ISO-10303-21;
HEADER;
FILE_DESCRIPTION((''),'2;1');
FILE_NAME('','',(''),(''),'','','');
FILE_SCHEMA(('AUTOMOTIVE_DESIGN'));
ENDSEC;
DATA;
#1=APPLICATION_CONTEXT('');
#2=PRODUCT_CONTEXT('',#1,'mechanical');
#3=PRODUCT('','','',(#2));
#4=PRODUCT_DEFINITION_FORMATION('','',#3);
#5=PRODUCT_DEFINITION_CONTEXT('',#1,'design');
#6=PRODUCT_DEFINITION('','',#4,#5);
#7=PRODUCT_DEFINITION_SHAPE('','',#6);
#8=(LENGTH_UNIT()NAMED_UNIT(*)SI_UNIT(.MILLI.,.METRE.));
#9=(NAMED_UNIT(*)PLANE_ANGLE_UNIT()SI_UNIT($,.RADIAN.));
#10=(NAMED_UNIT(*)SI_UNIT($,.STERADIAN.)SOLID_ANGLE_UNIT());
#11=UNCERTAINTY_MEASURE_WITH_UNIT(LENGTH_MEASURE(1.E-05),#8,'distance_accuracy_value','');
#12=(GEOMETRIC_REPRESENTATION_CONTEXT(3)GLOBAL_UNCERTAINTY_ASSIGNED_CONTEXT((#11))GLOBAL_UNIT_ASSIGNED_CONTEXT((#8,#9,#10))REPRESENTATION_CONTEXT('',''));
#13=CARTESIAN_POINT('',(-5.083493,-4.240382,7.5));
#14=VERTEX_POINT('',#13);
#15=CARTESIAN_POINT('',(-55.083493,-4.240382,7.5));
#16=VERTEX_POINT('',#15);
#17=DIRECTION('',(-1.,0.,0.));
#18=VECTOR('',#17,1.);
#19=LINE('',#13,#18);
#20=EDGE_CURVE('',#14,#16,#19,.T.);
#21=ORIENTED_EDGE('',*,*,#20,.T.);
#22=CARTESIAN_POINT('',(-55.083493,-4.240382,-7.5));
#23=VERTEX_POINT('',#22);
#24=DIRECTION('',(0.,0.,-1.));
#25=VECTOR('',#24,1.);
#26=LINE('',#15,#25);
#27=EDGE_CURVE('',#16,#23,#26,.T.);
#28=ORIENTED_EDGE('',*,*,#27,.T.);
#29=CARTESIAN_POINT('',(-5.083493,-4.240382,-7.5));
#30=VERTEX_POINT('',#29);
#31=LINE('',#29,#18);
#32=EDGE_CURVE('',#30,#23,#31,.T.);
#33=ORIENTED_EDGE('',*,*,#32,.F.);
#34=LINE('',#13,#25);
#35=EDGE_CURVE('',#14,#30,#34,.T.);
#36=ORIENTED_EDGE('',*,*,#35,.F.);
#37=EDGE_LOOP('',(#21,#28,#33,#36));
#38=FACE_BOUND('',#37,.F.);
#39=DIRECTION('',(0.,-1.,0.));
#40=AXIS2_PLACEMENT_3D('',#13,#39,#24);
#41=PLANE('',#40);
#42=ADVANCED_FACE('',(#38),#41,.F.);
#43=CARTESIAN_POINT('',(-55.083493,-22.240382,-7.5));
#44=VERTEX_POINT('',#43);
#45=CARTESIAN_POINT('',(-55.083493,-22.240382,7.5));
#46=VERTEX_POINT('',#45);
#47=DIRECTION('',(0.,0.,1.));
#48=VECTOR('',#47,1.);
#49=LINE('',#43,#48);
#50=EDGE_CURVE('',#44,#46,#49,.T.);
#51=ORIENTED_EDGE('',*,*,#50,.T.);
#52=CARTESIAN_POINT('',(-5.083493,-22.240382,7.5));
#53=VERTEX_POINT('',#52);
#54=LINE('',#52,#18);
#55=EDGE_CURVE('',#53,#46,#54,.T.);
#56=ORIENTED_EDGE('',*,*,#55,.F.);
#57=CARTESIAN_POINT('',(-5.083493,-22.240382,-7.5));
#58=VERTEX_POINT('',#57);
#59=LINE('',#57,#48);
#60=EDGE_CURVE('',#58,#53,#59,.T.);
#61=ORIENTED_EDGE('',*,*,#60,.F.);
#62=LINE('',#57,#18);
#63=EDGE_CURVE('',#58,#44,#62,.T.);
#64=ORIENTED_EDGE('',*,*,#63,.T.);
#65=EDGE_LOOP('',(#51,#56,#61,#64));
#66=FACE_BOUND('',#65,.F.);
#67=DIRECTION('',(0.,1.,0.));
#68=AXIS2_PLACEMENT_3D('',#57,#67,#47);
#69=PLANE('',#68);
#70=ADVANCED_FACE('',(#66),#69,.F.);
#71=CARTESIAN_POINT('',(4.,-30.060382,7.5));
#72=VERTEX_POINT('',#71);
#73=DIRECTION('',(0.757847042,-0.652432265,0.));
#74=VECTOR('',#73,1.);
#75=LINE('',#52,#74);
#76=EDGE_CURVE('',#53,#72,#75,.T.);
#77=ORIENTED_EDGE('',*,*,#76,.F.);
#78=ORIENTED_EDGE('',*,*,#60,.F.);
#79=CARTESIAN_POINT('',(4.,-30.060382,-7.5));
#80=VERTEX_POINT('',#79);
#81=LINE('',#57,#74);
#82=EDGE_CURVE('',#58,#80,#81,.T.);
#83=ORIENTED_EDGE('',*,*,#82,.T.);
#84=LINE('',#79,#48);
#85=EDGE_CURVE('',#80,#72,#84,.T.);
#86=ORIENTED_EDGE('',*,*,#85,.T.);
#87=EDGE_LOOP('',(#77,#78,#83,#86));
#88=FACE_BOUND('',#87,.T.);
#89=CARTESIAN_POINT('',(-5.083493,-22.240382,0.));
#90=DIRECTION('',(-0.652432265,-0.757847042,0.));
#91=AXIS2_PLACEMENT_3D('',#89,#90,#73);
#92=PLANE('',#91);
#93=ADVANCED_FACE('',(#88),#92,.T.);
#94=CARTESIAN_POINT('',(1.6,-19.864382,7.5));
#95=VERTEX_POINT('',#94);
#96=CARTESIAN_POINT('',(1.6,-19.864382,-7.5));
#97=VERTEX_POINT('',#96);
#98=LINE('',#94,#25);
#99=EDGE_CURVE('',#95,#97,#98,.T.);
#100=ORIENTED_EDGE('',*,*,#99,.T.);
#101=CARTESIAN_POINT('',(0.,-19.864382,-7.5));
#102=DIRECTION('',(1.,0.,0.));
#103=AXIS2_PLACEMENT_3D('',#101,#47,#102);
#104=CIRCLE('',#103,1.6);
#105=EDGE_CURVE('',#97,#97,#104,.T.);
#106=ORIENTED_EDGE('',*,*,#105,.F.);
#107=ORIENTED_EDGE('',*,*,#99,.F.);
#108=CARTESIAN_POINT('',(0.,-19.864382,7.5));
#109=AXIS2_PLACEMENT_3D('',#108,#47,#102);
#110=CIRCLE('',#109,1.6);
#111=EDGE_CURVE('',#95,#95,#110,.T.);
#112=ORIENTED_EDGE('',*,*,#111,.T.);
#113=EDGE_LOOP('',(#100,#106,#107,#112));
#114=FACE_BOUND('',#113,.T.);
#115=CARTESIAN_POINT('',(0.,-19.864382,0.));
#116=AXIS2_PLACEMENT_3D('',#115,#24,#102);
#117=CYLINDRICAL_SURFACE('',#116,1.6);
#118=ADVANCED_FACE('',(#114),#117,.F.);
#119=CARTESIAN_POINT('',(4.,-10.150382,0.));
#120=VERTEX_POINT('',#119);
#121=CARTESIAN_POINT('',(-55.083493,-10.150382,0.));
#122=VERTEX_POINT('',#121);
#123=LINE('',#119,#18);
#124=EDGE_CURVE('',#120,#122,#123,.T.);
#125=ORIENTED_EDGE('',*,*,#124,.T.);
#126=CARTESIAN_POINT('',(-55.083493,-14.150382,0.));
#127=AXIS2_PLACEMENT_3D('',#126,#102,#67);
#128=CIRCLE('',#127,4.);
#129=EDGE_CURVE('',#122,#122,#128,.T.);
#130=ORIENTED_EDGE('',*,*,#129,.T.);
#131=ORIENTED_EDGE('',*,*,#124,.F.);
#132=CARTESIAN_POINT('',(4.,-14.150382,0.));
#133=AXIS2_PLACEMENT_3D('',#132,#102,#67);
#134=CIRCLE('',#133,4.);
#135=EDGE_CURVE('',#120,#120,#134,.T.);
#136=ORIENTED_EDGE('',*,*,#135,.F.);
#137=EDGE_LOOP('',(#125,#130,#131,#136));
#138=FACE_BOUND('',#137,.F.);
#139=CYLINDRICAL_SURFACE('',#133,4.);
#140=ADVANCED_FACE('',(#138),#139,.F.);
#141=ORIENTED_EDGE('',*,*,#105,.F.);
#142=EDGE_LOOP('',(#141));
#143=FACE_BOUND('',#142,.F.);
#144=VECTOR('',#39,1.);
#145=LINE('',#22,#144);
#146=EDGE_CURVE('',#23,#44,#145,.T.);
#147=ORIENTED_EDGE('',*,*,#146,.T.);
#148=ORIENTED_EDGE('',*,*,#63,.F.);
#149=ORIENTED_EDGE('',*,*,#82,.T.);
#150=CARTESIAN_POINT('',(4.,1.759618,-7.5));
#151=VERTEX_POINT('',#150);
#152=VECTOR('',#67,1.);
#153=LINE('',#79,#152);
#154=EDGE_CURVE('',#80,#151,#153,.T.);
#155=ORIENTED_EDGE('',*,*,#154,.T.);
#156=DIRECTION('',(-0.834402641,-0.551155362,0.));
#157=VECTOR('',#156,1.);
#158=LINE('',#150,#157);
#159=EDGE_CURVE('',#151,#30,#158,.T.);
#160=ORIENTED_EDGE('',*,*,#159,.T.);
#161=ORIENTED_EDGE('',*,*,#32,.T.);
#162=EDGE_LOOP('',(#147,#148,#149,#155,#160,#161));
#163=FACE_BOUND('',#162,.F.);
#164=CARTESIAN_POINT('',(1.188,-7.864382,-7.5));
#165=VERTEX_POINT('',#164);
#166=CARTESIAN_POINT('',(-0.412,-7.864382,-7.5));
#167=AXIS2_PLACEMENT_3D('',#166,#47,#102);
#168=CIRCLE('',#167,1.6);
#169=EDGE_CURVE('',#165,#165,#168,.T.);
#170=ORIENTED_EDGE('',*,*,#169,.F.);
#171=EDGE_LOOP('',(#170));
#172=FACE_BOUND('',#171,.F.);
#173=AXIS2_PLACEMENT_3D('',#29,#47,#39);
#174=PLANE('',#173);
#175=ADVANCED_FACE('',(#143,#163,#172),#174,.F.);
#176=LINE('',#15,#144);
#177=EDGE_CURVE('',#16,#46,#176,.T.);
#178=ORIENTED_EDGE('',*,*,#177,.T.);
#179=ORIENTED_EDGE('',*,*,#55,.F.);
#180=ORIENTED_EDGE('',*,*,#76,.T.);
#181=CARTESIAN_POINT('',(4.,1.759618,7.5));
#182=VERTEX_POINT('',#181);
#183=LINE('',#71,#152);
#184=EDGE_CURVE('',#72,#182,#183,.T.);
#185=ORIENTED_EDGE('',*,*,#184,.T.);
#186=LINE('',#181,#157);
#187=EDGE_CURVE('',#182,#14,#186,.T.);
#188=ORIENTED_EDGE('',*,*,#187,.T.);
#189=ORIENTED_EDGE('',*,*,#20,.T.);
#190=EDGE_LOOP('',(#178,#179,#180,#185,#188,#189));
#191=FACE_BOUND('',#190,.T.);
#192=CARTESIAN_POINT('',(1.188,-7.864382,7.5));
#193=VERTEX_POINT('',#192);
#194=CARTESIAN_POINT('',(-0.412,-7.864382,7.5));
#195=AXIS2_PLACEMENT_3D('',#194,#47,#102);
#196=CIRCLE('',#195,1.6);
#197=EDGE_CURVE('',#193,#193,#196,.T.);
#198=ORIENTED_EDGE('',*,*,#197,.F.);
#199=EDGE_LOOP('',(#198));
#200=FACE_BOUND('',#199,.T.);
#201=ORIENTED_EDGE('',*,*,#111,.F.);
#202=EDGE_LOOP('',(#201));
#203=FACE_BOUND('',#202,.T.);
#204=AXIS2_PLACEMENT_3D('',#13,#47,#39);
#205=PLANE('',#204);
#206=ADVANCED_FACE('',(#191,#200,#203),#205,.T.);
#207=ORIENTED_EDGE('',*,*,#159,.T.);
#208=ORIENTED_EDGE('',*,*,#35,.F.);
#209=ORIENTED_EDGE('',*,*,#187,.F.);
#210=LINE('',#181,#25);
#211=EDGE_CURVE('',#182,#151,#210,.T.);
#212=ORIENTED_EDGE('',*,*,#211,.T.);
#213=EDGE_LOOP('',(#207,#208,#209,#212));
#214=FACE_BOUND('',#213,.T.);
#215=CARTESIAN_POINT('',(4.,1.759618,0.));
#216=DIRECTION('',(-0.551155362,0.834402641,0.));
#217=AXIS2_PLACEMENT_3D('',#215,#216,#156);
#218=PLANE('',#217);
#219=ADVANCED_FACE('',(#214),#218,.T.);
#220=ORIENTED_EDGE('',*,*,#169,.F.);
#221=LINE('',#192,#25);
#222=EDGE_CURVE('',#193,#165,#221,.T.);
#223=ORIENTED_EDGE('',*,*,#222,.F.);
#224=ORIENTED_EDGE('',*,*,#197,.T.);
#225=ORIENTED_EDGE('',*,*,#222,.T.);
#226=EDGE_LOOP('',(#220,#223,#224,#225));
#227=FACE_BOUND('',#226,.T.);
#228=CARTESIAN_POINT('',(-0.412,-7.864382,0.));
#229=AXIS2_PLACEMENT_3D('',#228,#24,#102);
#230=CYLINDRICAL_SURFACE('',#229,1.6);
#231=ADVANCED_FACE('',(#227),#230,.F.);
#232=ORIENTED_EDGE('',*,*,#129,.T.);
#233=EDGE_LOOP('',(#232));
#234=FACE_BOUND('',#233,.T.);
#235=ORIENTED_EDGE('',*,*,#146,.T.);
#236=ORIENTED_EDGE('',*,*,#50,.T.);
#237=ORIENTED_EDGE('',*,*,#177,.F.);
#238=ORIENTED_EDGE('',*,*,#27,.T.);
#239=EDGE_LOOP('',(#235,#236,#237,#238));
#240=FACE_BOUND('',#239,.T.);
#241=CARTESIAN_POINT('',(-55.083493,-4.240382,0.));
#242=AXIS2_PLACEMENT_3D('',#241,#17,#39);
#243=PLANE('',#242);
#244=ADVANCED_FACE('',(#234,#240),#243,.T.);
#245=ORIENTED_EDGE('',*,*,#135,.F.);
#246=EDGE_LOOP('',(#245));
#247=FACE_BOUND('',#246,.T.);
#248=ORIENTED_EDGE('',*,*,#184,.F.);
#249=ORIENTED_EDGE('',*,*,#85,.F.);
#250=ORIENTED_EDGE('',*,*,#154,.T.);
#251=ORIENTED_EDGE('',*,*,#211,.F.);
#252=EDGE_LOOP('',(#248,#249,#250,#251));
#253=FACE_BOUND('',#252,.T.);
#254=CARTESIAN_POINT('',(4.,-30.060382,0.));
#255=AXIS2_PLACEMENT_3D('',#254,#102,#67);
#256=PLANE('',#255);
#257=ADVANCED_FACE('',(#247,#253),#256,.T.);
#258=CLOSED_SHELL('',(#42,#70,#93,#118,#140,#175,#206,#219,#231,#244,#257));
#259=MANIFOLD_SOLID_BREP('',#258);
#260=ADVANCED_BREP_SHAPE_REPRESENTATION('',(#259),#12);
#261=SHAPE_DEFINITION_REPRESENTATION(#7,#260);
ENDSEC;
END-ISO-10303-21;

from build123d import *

# Parameters (mm, degrees)
F0_R     = 1.6
F1_DEPTH = 7.5
F2_DEPTH = 50
F3_R     = 4
F4_DEPTH = 59.0844929405


with BuildPart() as f1:
    # F0 (on Top) → F1 (new body, symmetric)
    with BuildSketch(Plane.XY):
        Polygon((-5.0834929405, -4.2403818204), (-5.0834929405, -22.2403818204), (4, -30.0603818204), (4, 1.7596181796), align=None)
        with Locations((0, -19.8643818204)):
            Circle(F0_R, mode=Mode.SUBTRACT)
        with Locations((-0.412, -7.8643818204)):
            Circle(F0_R, mode=Mode.SUBTRACT)
    extrude(amount=F1_DEPTH, both=True)

    # F2 (add): a face of the model
    f2_faces = [f1.faces().sort_by_distance(p)[0] for p in [
        (-5.0834929405, -13.2403818204, 0),
    ]]
    extrude(f2_faces, amount=F2_DEPTH)

    # F3 (on face) → F4 (cut, through all)
    with BuildSketch(Plane.YZ.offset(4)):
        with Locations((-14.1503818204, 0)):
            Circle(F3_R)
    extrude(amount=-F4_DEPTH, mode=Mode.SUBTRACT)


solid = f1.part
